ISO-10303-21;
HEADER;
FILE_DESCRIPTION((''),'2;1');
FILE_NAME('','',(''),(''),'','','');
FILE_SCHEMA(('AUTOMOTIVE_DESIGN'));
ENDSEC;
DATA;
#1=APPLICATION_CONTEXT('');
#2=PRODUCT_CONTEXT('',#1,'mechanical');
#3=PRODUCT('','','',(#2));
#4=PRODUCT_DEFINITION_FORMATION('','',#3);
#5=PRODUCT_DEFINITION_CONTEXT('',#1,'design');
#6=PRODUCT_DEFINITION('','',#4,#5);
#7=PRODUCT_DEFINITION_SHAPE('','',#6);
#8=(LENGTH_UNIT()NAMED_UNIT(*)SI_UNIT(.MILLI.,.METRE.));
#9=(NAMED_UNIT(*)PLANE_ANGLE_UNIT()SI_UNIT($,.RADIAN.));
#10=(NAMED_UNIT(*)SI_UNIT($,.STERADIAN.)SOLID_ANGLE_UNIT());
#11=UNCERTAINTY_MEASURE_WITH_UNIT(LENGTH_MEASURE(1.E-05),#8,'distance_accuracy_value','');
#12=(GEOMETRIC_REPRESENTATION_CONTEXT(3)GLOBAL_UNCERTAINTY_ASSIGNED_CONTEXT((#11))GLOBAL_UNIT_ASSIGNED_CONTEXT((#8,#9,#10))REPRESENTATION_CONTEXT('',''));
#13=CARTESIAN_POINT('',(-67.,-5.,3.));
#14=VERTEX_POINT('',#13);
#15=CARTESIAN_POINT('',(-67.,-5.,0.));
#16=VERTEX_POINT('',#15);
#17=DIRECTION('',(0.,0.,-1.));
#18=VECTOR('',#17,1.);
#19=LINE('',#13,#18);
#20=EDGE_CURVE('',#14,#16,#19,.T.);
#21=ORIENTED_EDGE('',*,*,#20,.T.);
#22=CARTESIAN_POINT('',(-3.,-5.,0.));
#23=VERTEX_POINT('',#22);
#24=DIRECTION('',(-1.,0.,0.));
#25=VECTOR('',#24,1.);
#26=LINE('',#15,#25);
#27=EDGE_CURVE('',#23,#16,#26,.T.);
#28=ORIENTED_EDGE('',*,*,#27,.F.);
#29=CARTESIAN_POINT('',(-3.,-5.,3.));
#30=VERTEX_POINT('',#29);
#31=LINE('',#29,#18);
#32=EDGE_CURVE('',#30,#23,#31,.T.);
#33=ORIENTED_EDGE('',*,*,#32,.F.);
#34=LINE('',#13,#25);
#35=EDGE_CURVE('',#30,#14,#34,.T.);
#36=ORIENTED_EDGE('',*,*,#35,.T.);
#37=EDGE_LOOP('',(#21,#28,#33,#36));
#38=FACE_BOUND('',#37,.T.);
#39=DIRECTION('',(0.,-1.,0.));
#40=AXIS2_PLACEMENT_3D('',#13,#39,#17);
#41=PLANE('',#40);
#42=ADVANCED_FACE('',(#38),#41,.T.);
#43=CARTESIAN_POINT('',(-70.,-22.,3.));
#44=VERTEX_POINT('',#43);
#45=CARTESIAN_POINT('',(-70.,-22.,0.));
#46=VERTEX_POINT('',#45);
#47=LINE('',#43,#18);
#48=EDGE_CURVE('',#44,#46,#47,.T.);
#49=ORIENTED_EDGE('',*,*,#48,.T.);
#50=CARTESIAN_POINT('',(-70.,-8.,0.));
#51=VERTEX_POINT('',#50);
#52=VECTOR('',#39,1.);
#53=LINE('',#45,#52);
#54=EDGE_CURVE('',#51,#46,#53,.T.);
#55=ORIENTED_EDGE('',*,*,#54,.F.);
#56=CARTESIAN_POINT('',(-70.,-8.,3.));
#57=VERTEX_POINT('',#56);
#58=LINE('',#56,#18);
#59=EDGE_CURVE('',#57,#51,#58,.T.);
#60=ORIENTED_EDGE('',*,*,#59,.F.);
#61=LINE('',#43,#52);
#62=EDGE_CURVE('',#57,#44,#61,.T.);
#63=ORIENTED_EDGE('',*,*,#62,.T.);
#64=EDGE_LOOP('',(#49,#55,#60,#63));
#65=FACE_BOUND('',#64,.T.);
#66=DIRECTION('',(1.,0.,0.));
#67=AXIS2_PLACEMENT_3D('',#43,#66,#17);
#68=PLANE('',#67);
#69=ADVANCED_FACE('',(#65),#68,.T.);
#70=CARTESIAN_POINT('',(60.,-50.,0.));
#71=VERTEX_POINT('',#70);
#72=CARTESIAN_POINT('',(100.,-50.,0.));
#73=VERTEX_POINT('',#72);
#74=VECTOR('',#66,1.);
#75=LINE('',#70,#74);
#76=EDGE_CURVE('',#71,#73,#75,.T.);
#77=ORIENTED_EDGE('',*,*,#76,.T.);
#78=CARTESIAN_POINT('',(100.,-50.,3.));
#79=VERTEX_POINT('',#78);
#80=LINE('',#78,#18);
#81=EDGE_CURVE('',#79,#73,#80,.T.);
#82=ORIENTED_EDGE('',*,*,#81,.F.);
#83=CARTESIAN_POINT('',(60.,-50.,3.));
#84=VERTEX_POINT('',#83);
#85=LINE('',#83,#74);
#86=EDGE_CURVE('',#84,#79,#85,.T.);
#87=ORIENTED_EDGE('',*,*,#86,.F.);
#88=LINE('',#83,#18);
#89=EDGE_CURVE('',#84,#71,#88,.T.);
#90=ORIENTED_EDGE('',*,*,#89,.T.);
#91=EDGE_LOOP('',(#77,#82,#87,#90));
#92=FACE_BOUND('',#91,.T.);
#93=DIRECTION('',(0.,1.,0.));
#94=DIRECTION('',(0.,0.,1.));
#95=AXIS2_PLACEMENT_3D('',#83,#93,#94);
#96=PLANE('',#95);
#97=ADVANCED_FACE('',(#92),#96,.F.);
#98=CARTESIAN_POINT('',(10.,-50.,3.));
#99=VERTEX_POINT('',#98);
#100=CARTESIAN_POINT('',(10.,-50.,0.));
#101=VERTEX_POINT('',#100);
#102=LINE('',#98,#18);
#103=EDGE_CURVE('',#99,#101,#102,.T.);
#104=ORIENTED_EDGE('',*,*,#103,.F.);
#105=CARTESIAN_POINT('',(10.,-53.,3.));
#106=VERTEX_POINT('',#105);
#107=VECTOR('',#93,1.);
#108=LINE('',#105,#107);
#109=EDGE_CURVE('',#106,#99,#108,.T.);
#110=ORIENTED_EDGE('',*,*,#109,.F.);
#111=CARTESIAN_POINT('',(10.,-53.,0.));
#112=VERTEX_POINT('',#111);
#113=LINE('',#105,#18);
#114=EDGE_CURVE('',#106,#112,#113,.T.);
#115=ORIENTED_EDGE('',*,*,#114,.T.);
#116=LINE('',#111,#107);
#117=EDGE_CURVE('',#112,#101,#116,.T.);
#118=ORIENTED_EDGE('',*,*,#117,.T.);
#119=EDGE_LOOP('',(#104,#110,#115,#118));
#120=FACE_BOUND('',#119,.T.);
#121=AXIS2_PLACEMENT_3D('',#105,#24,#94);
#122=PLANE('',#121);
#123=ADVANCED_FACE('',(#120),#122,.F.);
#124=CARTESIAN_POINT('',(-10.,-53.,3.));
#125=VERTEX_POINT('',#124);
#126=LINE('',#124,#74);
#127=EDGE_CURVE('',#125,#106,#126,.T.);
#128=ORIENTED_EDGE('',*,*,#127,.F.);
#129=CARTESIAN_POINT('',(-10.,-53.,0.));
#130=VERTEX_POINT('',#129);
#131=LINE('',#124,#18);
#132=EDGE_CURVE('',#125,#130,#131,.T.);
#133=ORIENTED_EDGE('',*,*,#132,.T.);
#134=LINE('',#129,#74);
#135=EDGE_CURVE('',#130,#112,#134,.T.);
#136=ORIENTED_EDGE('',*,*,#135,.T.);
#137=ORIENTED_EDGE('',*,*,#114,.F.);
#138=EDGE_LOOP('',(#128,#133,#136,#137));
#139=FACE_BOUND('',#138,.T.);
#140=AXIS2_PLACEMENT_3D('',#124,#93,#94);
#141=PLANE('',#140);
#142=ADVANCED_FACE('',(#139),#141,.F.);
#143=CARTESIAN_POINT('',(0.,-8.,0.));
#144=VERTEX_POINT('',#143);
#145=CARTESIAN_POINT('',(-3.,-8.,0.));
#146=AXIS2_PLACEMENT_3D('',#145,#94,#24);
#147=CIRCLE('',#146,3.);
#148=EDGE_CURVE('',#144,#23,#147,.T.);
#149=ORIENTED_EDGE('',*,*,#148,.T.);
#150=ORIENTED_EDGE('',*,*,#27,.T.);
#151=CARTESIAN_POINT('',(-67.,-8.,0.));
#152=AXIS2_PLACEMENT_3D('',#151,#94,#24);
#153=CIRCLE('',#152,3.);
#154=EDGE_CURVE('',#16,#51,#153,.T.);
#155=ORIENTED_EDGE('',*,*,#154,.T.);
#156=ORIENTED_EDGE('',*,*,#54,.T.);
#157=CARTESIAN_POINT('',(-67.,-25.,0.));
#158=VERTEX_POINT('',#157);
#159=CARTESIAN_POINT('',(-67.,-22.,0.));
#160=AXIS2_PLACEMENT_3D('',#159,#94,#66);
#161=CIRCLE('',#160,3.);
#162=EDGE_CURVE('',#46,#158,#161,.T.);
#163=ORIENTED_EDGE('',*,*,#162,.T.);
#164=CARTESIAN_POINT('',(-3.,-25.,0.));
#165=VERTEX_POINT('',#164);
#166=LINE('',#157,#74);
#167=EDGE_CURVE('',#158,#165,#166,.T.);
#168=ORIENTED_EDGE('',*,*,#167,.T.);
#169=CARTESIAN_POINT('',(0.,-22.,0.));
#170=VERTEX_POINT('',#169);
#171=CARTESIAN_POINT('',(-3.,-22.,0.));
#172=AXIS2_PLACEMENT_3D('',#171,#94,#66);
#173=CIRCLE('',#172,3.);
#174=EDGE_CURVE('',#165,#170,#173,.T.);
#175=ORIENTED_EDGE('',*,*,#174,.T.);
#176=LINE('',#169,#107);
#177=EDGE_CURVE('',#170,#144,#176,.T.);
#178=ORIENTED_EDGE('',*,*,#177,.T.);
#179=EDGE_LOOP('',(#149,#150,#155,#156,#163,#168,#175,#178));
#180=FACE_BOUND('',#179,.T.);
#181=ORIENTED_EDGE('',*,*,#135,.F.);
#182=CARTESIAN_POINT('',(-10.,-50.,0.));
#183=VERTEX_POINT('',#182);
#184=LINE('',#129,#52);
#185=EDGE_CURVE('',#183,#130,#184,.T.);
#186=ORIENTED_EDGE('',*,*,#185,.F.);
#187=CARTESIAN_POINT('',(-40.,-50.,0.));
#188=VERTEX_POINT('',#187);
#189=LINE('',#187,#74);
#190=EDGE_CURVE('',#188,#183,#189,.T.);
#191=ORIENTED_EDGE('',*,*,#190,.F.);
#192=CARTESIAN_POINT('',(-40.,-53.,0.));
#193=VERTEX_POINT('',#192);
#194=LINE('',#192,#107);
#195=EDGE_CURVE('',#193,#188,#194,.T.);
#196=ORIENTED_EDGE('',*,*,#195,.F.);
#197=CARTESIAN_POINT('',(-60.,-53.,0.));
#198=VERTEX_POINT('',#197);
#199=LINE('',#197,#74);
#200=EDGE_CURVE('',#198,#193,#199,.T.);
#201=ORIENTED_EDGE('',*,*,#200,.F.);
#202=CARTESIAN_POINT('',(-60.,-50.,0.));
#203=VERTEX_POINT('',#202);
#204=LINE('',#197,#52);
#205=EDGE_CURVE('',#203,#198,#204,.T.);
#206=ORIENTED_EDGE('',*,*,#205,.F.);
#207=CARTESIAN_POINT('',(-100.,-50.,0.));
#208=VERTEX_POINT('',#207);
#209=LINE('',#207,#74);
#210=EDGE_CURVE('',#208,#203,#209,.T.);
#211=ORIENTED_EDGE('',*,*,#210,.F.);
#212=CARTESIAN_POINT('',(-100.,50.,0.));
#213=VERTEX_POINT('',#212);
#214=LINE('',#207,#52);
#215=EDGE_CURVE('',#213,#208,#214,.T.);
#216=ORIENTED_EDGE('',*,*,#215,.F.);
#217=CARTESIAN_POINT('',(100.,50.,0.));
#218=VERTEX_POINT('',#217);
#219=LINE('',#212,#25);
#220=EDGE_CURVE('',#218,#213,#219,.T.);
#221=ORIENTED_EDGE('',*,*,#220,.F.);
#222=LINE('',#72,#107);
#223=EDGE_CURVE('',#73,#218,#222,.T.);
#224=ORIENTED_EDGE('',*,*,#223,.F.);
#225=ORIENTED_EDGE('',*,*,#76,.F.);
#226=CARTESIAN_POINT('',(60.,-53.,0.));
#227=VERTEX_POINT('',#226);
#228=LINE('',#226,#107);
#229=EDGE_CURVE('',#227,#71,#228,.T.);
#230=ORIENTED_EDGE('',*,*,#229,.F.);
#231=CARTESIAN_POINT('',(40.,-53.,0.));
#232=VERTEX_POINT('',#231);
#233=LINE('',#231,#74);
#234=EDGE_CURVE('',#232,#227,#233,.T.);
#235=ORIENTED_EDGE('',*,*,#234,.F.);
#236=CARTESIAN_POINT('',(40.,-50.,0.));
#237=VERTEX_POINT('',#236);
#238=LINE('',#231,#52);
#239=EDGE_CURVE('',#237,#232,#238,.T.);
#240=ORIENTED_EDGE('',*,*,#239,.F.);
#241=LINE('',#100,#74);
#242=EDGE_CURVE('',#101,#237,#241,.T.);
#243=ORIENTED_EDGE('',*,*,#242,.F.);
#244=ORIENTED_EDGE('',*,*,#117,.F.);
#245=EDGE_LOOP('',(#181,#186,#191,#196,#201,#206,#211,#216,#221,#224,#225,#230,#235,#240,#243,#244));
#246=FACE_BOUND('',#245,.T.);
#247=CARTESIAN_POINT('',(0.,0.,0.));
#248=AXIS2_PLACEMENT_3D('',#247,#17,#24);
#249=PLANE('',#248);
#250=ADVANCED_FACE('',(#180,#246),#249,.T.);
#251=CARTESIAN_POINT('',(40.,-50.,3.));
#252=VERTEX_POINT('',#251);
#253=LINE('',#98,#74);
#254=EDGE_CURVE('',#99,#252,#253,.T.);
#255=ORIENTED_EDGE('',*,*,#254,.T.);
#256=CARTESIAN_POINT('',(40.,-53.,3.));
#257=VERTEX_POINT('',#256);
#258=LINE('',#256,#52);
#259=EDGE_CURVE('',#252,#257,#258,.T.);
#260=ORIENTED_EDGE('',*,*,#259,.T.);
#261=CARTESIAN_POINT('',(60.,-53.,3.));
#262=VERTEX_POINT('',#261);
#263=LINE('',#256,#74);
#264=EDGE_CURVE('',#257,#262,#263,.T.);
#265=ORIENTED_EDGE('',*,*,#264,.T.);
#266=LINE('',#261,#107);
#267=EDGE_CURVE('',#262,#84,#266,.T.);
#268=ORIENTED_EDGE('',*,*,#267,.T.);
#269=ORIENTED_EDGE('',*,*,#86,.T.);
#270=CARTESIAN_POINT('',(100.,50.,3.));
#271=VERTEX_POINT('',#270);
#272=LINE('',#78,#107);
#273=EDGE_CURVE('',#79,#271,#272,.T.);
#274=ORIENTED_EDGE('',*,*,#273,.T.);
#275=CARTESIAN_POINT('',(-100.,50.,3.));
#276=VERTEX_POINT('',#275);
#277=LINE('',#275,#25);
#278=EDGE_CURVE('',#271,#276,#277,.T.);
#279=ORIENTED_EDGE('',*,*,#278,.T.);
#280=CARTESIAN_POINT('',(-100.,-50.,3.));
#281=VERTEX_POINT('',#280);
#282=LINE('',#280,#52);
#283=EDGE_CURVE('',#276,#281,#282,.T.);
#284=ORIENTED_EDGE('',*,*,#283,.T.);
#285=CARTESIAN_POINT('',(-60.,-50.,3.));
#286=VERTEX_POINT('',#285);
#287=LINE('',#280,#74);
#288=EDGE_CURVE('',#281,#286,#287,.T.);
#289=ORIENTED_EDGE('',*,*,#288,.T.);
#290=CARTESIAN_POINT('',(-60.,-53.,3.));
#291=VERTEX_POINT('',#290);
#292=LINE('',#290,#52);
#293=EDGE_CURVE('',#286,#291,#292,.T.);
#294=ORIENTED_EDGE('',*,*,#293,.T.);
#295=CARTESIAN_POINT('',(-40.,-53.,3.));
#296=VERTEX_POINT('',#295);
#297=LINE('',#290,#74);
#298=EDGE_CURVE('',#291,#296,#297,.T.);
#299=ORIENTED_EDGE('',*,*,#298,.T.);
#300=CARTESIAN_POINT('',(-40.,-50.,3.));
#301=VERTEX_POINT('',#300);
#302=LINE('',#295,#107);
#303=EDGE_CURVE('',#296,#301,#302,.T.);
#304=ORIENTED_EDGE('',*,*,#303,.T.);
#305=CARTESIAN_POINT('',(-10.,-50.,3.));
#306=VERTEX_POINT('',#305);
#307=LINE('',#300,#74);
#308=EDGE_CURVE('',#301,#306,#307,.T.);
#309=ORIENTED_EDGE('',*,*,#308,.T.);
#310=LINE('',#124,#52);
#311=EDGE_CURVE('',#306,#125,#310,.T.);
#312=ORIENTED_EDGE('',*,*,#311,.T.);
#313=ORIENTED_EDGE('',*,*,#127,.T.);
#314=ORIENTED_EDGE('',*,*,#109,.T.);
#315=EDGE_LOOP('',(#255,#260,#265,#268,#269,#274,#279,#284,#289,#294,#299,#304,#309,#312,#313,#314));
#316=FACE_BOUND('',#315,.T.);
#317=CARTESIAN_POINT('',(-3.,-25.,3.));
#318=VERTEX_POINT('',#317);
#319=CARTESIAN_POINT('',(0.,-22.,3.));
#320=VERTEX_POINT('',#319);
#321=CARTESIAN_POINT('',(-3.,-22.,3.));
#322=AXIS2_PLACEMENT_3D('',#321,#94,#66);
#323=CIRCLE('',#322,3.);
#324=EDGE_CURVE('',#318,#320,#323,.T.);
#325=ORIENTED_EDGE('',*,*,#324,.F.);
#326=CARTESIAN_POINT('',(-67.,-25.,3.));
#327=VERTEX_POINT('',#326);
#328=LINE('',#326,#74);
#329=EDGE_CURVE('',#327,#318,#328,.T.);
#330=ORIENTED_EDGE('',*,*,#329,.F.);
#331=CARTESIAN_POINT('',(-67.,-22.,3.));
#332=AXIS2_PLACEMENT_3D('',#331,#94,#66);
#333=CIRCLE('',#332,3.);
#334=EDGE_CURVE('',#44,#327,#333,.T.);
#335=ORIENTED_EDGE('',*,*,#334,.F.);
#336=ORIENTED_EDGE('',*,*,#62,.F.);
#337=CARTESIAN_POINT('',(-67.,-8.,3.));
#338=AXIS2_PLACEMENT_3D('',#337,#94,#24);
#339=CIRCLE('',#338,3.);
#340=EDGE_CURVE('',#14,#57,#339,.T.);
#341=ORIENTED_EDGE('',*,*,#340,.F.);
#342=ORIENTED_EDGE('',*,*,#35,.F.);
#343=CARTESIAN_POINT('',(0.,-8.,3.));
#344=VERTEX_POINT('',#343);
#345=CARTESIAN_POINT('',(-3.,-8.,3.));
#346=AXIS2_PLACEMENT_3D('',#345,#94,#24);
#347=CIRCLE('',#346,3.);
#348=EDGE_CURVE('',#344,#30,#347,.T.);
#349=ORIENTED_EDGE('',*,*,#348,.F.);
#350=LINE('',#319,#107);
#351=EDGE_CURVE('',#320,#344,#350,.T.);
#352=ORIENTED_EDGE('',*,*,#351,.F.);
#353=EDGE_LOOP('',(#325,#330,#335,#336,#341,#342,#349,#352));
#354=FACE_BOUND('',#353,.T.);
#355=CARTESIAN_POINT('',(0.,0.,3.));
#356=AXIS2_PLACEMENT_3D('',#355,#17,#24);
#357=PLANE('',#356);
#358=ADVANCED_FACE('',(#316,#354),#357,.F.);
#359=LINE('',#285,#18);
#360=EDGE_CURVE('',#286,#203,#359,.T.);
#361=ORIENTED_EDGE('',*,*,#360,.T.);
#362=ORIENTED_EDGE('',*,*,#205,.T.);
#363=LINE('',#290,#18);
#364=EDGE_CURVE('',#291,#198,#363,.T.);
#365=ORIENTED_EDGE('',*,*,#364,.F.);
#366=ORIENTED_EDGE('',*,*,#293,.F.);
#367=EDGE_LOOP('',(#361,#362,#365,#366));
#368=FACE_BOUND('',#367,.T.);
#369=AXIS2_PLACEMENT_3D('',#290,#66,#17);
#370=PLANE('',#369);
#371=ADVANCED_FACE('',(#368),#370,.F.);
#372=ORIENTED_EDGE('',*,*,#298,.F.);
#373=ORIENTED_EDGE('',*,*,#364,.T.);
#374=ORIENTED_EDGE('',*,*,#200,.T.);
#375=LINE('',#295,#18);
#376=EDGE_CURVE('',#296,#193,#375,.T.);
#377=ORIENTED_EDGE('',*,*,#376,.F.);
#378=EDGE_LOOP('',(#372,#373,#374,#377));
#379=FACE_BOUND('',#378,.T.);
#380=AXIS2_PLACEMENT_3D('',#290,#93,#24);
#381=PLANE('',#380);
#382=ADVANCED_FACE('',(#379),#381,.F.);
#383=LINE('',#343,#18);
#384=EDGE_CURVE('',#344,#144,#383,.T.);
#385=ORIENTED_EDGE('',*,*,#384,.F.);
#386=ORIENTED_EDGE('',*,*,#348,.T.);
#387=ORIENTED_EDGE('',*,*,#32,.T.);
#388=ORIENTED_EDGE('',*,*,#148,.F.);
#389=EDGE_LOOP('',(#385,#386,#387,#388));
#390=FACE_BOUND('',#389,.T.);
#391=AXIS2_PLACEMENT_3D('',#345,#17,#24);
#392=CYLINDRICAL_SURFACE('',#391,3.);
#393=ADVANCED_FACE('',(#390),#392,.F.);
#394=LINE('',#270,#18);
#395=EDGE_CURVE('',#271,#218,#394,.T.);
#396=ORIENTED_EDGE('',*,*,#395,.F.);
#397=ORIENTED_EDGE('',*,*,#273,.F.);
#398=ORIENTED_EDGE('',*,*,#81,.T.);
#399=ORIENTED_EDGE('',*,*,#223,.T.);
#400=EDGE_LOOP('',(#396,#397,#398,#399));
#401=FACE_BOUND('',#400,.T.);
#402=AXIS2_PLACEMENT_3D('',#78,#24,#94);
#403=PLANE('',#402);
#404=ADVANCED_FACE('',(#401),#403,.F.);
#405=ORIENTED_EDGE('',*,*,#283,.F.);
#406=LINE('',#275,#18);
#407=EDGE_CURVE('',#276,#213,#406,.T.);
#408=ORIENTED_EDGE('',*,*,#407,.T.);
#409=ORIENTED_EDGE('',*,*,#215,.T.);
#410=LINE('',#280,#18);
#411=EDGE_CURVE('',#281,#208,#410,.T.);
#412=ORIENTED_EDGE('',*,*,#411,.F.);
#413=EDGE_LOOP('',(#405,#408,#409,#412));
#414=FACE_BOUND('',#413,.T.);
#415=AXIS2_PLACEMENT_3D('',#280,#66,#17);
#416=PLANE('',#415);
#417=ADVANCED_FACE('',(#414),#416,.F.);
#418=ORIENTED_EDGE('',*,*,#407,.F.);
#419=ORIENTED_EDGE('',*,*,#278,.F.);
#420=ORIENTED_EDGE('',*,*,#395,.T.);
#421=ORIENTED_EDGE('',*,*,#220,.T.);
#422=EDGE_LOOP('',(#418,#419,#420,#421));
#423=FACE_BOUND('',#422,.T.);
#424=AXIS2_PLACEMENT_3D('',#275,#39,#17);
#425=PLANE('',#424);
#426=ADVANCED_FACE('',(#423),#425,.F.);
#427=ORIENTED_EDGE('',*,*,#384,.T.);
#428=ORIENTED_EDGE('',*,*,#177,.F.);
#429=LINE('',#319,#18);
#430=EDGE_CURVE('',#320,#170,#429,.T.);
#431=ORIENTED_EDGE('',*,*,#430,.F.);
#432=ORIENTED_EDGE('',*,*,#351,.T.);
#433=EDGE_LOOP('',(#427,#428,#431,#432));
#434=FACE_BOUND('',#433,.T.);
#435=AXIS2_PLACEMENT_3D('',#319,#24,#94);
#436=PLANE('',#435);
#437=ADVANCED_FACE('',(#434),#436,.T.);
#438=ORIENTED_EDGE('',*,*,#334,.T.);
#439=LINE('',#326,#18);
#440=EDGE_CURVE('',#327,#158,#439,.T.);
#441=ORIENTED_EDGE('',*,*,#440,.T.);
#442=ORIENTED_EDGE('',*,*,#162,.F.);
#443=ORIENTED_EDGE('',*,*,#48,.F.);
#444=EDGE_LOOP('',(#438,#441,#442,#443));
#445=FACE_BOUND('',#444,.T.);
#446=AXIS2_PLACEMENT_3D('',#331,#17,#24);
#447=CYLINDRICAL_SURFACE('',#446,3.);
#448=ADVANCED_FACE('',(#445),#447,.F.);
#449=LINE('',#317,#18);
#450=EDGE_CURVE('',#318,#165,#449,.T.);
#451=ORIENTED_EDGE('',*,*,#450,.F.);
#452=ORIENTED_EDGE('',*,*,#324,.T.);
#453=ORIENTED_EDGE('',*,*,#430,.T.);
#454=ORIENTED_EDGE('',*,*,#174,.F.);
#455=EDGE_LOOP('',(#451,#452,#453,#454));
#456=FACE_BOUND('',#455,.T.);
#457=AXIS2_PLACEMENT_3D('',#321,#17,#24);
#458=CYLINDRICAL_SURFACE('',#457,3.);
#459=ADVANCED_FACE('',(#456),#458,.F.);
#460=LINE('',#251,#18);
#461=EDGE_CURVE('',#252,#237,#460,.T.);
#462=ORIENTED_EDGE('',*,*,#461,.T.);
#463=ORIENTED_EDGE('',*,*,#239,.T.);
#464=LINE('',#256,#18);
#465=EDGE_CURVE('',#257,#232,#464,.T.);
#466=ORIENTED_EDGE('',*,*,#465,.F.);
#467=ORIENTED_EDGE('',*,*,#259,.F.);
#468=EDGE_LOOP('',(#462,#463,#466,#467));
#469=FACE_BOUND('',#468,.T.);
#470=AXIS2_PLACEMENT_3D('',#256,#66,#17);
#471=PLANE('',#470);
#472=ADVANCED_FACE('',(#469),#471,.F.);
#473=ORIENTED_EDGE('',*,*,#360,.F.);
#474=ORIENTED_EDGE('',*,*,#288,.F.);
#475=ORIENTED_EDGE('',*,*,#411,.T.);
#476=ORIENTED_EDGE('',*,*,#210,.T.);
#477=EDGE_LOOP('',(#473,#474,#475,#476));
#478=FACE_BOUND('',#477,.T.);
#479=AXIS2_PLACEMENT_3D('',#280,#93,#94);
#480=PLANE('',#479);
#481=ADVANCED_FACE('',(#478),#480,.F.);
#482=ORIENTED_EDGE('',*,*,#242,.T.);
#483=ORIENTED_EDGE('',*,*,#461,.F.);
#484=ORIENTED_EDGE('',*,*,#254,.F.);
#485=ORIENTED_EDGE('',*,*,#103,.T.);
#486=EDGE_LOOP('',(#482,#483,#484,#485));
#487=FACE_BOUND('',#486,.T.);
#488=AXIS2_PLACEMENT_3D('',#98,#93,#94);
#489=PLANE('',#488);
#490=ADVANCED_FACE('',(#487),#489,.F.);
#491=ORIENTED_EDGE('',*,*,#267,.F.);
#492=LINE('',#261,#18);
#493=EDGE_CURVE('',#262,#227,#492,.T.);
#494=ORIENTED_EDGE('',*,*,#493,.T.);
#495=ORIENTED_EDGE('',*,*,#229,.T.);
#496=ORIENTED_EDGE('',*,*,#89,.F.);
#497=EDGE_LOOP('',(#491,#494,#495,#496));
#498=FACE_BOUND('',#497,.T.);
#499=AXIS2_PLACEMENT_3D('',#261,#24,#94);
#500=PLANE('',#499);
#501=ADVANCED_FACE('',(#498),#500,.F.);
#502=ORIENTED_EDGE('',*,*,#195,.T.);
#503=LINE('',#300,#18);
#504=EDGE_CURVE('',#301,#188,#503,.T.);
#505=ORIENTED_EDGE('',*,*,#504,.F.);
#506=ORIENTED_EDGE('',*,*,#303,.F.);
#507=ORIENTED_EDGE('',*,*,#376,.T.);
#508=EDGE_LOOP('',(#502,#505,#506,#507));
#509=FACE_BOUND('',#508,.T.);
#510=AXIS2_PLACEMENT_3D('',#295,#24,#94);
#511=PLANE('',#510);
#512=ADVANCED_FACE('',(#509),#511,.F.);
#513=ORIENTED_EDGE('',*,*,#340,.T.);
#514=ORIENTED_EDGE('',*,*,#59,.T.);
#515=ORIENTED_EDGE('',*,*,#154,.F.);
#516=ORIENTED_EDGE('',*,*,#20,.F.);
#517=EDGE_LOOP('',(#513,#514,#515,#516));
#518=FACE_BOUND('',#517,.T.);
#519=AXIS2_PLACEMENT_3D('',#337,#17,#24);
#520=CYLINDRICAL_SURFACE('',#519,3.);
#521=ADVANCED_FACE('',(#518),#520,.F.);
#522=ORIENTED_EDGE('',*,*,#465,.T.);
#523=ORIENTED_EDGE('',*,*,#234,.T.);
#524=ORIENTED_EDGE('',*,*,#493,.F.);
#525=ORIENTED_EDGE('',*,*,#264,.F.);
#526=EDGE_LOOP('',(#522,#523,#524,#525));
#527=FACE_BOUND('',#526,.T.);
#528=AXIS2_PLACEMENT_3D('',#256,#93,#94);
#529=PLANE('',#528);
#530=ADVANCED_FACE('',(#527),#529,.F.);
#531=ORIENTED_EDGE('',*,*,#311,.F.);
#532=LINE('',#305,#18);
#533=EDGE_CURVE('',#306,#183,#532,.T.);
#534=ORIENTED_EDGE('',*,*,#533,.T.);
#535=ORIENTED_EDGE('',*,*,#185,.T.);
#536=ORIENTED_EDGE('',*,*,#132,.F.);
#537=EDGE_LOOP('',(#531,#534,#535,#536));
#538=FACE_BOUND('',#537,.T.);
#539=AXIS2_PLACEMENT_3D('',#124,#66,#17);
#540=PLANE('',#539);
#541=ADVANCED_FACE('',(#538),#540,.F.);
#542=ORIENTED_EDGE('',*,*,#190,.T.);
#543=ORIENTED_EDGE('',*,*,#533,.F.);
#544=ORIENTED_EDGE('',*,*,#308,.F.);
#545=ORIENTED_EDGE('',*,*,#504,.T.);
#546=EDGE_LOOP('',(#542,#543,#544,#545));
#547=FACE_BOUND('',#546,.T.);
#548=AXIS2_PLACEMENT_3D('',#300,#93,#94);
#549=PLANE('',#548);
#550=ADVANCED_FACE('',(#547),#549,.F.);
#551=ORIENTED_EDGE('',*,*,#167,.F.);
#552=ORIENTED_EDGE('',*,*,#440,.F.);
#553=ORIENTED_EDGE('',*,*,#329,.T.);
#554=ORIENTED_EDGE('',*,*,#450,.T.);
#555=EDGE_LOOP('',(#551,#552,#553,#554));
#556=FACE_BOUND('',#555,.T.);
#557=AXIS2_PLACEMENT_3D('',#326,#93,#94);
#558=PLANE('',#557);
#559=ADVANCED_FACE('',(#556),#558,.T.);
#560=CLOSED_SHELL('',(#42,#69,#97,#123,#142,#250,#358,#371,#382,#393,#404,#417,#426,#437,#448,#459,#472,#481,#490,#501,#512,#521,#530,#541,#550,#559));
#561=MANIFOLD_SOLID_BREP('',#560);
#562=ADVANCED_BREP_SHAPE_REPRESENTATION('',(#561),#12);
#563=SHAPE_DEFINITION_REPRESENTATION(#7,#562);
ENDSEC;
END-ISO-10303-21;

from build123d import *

# Parameters (mm, degrees)
BOSS_EXTRUDE1_DEPTH = 3


with BuildPart() as part:
    # Sketch1 → Boss-Extrude1 (new body)
    with BuildSketch(Plane.XY):
        Polygon((-100, -50), (-60, -50), (-60, -53), (-40, -53), (-40, -50), (-10, -50), (-10, -53), (10, -53), (10, -50), (40, -50), (40, -53), (60, -53), (60, -50), (100, -50), (100, 50), (-100, 50), align=None)
        with BuildLine():
            Line((-67, -25), (-3, -25))
            ThreePointArc((-3, -25), (-0.878679656, -24.121320344), (0, -22))
            Line((0, -22), (0, -8))
            ThreePointArc((0, -8), (-0.878679656, -5.878679656), (-3, -5))
            Line((-3, -5), (-67, -5))
            ThreePointArc((-67, -5), (-69.121320344, -5.878679656), (-70, -8))
            Line((-70, -8), (-70, -22))
            ThreePointArc((-70, -22), (-69.121320344, -24.121320344), (-67, -25))
        make_face(mode=Mode.SUBTRACT)
    extrude(amount=BOSS_EXTRUDE1_DEPTH)


solid = part.part
